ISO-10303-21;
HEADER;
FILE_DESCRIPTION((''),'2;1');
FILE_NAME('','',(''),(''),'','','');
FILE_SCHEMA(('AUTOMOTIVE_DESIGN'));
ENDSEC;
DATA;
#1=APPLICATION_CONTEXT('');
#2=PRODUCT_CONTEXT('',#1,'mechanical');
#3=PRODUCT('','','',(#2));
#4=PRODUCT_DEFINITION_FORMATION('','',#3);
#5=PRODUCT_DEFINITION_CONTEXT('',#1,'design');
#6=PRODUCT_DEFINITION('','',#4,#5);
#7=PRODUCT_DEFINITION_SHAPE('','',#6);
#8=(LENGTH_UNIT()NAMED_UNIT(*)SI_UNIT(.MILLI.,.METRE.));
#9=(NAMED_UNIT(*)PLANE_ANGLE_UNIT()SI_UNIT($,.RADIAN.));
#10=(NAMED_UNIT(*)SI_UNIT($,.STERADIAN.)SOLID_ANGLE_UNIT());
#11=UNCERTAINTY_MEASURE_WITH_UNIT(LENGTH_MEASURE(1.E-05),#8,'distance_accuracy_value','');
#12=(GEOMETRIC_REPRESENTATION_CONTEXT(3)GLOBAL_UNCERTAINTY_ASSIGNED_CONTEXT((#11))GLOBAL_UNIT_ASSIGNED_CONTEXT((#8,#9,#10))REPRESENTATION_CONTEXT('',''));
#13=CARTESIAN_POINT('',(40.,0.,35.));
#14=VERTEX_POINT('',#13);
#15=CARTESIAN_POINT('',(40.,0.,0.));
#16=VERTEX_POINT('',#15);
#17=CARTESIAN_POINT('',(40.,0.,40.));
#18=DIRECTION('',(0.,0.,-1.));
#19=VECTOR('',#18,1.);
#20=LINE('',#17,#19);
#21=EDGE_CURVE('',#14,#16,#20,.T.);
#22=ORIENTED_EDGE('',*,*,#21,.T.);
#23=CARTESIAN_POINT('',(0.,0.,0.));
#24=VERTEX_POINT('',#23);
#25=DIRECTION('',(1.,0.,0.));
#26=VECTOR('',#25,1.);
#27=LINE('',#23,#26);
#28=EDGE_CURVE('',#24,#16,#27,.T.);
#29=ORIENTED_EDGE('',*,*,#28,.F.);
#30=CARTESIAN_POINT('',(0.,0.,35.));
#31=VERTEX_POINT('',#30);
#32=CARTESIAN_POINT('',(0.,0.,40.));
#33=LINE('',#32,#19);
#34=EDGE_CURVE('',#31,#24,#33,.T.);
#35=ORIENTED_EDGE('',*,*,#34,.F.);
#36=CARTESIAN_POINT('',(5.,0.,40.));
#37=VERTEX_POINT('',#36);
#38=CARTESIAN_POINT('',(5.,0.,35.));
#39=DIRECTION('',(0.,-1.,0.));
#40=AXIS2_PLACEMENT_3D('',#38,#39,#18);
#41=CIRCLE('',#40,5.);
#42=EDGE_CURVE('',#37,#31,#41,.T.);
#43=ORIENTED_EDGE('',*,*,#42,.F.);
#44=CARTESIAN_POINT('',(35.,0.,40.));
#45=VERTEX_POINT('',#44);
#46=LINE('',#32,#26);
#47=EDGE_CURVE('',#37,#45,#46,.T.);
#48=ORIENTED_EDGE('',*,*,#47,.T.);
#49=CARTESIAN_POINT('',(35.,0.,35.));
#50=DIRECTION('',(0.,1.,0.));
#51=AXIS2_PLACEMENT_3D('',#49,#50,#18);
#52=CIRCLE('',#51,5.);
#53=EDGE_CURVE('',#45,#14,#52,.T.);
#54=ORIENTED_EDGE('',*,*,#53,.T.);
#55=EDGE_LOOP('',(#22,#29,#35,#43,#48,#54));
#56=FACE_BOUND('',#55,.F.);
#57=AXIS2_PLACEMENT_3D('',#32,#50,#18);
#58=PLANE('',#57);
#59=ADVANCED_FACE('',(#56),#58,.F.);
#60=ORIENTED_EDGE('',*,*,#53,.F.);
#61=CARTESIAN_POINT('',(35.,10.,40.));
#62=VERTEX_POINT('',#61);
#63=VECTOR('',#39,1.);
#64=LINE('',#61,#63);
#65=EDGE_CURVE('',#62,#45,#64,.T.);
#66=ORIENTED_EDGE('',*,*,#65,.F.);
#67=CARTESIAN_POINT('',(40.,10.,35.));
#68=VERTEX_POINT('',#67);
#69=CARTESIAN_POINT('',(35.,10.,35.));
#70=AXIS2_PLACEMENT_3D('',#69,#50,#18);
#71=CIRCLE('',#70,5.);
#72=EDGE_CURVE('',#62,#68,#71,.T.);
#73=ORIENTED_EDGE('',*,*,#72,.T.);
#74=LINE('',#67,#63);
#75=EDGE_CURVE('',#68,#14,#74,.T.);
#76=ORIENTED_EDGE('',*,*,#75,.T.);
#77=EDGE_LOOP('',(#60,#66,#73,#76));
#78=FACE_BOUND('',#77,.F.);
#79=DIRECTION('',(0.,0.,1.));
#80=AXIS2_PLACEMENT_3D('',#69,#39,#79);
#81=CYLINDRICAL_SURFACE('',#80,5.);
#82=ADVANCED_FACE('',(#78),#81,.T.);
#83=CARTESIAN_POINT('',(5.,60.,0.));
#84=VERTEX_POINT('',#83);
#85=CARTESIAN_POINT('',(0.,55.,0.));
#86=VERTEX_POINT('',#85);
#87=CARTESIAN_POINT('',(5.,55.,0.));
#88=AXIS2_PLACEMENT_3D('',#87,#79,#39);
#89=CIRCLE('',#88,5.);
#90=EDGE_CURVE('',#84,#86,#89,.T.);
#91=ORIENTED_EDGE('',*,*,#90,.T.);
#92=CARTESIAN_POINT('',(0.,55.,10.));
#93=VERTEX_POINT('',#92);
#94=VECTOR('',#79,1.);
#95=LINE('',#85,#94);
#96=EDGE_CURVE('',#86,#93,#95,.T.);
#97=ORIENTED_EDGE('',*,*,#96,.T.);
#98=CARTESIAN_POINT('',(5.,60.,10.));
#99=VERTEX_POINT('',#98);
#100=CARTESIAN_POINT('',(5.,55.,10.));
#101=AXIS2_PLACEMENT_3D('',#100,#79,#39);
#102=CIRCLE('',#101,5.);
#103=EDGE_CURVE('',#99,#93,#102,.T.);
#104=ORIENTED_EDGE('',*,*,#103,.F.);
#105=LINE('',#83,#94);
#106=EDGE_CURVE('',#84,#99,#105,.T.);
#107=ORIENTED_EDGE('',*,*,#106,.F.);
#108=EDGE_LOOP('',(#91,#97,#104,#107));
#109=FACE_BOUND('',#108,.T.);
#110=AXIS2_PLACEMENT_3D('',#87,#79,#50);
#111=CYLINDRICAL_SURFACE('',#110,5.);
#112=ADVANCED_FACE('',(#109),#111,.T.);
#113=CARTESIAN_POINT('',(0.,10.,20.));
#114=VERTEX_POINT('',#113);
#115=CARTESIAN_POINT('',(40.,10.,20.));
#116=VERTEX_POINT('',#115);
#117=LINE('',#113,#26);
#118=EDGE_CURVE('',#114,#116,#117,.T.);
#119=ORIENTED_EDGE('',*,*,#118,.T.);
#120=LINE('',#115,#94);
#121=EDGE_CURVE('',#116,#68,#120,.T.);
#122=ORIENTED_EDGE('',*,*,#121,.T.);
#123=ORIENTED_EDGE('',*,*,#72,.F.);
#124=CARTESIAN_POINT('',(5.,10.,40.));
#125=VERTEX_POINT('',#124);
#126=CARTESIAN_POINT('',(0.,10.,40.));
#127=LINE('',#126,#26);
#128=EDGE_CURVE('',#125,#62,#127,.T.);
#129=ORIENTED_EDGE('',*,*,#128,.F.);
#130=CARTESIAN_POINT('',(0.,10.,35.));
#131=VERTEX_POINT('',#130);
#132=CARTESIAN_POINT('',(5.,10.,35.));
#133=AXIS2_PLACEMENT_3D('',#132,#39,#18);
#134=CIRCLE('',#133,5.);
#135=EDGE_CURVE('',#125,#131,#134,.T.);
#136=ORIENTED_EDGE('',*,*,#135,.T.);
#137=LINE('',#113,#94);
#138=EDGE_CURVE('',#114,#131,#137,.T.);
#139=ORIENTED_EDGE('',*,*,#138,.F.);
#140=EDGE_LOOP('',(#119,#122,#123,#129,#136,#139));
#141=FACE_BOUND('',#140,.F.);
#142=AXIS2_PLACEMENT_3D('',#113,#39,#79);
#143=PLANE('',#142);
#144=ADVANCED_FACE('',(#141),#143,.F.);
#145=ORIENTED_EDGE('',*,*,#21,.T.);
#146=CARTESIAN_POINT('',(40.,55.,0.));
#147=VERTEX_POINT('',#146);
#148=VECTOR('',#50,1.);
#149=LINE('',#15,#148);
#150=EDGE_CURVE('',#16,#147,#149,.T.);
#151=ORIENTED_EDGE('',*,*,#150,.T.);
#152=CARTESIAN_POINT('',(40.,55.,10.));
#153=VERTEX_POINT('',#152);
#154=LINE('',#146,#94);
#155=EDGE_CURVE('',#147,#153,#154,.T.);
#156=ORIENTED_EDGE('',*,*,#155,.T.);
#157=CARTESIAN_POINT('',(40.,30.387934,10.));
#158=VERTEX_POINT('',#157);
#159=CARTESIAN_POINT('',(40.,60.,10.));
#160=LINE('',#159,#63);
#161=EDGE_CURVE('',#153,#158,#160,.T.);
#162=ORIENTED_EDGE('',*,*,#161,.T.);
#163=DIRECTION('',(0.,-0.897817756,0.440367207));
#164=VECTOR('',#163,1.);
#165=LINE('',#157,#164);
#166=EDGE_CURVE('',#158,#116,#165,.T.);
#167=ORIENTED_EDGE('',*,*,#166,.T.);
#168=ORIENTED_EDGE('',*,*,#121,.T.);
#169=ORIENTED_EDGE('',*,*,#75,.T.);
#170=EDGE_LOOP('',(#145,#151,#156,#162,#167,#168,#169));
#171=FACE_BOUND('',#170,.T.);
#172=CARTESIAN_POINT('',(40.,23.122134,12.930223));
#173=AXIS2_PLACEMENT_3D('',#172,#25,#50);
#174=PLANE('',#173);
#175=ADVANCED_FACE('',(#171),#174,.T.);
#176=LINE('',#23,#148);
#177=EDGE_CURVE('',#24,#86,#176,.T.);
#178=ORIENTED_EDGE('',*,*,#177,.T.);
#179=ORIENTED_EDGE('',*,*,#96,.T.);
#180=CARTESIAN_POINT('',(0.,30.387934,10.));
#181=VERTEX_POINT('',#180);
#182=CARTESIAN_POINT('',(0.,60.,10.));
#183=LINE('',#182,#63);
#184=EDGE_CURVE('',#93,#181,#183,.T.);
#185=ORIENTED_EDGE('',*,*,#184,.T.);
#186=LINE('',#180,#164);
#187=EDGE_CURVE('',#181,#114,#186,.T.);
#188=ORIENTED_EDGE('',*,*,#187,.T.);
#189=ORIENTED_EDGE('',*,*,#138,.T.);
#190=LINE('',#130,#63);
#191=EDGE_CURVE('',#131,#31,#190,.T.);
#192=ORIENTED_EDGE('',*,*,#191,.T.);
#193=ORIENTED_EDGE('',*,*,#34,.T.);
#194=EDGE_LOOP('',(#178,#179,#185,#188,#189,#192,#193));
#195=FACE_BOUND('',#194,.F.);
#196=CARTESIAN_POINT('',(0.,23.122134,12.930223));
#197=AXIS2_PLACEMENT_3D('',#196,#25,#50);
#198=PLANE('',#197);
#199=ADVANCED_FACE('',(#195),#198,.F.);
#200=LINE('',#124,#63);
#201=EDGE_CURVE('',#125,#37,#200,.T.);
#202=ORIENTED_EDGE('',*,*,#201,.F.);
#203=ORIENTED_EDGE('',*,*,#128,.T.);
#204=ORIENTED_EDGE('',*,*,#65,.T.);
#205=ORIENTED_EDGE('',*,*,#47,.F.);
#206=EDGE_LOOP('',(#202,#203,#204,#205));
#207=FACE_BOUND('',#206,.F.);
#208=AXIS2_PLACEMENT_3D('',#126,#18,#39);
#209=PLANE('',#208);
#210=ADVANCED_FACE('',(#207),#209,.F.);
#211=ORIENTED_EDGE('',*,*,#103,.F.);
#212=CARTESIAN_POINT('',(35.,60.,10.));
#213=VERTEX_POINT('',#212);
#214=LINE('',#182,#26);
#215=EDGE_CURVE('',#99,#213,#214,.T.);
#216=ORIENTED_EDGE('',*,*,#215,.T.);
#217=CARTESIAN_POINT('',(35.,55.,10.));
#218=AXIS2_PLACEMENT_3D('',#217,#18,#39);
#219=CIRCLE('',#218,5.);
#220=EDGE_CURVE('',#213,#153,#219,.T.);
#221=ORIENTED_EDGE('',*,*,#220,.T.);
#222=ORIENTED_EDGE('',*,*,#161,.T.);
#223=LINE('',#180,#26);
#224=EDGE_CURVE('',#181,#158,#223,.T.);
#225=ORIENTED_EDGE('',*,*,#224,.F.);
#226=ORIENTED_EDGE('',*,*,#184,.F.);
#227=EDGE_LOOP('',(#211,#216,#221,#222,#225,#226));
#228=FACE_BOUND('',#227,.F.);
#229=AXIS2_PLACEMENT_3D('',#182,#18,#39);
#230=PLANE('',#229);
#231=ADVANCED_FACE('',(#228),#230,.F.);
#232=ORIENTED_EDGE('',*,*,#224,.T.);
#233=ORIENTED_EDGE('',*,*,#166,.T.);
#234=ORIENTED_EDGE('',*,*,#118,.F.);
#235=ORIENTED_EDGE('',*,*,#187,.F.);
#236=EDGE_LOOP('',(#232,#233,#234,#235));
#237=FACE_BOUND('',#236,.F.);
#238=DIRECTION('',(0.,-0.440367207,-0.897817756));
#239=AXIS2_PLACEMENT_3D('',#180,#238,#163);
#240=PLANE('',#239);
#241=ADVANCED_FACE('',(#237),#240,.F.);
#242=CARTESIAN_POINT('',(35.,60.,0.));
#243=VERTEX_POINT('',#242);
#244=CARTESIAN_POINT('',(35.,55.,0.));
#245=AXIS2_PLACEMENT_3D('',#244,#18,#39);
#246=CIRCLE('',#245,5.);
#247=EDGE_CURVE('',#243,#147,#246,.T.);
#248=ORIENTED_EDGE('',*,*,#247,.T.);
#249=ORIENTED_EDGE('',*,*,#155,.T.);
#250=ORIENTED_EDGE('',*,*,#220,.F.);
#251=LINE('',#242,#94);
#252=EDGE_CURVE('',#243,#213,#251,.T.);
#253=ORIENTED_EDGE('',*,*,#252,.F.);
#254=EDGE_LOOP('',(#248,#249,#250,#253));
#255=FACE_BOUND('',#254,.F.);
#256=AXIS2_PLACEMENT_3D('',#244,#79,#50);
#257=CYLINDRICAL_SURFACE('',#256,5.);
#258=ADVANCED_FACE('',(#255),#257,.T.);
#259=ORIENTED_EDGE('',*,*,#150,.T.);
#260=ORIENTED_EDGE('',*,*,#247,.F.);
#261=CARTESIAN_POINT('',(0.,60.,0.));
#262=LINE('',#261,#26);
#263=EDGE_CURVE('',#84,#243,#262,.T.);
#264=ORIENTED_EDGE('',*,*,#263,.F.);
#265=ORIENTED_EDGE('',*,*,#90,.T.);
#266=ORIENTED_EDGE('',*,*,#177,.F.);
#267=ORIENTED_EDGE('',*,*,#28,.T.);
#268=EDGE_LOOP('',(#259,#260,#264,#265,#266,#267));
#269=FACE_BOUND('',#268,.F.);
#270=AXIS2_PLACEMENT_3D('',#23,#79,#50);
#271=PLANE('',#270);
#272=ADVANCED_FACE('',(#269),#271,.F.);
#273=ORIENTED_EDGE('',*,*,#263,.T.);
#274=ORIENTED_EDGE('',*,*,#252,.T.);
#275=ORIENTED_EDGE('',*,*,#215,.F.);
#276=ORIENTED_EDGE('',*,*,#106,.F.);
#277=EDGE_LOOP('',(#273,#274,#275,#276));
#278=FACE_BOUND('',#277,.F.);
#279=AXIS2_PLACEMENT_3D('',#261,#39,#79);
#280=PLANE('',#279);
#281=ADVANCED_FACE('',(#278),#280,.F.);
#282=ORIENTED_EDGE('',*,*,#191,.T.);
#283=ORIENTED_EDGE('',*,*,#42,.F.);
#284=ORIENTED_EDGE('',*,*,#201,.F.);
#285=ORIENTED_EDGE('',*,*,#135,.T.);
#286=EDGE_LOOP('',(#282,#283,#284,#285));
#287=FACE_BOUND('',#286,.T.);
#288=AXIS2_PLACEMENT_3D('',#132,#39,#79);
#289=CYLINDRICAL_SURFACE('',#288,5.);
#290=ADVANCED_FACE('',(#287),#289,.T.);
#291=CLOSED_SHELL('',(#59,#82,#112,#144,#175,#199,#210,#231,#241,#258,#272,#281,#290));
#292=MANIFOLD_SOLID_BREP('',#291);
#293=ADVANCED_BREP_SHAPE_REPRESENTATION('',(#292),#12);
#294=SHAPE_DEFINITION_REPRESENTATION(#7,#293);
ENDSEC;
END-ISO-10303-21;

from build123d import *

# Parameters (mm, degrees)
F1_DEPTH = 40
F2_R     = 5


with BuildPart() as f1:
    # F0 (on Right) → F1 (new body)
    with BuildSketch(Plane.YZ):
        Polygon((0, 40), (0, 0), (60, 0), (60, 10), (30.387934, 10), (10, 20), (10, 40), align=None)
    extrude(amount=F1_DEPTH)

    # F2
    f2_edges = [f1.edges().sort_by_distance(p)[0] for p in [
        (0, 5, 40),
        (40, 5, 40),
        (0, 60, 5),
        (40, 60, 5),
    ]]
    fillet(f2_edges, radius=F2_R)


solid = f1.part
